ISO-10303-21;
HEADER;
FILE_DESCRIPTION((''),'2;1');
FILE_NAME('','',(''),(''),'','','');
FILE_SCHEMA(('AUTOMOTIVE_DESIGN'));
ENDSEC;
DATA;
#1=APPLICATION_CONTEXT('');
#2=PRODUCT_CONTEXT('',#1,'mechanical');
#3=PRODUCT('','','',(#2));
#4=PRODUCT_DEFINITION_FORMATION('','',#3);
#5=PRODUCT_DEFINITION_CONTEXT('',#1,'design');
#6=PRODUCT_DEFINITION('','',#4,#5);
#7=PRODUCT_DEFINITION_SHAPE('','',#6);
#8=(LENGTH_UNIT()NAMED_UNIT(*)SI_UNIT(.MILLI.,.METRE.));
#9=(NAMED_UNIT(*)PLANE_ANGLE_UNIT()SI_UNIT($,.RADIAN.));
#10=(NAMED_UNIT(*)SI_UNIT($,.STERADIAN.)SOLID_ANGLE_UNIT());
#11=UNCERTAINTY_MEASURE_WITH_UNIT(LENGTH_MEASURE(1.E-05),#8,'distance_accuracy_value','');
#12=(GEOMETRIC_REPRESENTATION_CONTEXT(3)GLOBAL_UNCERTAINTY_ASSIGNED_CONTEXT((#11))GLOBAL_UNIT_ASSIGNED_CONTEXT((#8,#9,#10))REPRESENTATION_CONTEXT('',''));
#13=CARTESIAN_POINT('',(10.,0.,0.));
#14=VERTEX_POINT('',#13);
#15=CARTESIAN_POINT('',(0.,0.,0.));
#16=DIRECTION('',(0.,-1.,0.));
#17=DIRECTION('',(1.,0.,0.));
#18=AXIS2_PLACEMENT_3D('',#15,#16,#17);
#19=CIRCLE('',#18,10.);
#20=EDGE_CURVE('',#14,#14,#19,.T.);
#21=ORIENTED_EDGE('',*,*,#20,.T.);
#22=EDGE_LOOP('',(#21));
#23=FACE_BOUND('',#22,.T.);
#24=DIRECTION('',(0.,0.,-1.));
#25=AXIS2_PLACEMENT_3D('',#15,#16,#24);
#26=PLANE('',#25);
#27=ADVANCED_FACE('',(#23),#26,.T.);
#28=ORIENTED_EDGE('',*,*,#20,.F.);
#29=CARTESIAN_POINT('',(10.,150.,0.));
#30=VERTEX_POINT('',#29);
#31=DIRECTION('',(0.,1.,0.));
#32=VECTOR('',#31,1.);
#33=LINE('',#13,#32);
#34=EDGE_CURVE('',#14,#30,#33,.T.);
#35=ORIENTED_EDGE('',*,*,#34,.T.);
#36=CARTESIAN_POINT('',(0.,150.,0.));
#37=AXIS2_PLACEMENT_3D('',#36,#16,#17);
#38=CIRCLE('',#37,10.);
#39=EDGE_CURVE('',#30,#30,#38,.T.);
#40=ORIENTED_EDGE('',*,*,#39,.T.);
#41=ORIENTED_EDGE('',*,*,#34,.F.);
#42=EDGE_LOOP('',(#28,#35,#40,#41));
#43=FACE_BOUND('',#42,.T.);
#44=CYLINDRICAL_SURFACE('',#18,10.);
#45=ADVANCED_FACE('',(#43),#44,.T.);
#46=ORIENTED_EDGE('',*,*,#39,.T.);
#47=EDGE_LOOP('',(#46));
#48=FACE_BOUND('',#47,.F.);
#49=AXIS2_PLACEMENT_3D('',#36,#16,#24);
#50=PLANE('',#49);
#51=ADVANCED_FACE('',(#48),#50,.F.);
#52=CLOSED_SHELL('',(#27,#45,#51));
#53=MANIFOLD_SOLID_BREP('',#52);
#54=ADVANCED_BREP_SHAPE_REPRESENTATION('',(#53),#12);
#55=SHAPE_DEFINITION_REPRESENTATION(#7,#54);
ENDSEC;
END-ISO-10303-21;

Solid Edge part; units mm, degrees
sketch "Sketch1" plane through (0, 0, 0) normal (0, -1, 0) x (1, 0, 0)
  circle A0 centre (0, 0) radius 10
extrude "Protrusion1" add sketch "Sketch1" against normal blind 150
